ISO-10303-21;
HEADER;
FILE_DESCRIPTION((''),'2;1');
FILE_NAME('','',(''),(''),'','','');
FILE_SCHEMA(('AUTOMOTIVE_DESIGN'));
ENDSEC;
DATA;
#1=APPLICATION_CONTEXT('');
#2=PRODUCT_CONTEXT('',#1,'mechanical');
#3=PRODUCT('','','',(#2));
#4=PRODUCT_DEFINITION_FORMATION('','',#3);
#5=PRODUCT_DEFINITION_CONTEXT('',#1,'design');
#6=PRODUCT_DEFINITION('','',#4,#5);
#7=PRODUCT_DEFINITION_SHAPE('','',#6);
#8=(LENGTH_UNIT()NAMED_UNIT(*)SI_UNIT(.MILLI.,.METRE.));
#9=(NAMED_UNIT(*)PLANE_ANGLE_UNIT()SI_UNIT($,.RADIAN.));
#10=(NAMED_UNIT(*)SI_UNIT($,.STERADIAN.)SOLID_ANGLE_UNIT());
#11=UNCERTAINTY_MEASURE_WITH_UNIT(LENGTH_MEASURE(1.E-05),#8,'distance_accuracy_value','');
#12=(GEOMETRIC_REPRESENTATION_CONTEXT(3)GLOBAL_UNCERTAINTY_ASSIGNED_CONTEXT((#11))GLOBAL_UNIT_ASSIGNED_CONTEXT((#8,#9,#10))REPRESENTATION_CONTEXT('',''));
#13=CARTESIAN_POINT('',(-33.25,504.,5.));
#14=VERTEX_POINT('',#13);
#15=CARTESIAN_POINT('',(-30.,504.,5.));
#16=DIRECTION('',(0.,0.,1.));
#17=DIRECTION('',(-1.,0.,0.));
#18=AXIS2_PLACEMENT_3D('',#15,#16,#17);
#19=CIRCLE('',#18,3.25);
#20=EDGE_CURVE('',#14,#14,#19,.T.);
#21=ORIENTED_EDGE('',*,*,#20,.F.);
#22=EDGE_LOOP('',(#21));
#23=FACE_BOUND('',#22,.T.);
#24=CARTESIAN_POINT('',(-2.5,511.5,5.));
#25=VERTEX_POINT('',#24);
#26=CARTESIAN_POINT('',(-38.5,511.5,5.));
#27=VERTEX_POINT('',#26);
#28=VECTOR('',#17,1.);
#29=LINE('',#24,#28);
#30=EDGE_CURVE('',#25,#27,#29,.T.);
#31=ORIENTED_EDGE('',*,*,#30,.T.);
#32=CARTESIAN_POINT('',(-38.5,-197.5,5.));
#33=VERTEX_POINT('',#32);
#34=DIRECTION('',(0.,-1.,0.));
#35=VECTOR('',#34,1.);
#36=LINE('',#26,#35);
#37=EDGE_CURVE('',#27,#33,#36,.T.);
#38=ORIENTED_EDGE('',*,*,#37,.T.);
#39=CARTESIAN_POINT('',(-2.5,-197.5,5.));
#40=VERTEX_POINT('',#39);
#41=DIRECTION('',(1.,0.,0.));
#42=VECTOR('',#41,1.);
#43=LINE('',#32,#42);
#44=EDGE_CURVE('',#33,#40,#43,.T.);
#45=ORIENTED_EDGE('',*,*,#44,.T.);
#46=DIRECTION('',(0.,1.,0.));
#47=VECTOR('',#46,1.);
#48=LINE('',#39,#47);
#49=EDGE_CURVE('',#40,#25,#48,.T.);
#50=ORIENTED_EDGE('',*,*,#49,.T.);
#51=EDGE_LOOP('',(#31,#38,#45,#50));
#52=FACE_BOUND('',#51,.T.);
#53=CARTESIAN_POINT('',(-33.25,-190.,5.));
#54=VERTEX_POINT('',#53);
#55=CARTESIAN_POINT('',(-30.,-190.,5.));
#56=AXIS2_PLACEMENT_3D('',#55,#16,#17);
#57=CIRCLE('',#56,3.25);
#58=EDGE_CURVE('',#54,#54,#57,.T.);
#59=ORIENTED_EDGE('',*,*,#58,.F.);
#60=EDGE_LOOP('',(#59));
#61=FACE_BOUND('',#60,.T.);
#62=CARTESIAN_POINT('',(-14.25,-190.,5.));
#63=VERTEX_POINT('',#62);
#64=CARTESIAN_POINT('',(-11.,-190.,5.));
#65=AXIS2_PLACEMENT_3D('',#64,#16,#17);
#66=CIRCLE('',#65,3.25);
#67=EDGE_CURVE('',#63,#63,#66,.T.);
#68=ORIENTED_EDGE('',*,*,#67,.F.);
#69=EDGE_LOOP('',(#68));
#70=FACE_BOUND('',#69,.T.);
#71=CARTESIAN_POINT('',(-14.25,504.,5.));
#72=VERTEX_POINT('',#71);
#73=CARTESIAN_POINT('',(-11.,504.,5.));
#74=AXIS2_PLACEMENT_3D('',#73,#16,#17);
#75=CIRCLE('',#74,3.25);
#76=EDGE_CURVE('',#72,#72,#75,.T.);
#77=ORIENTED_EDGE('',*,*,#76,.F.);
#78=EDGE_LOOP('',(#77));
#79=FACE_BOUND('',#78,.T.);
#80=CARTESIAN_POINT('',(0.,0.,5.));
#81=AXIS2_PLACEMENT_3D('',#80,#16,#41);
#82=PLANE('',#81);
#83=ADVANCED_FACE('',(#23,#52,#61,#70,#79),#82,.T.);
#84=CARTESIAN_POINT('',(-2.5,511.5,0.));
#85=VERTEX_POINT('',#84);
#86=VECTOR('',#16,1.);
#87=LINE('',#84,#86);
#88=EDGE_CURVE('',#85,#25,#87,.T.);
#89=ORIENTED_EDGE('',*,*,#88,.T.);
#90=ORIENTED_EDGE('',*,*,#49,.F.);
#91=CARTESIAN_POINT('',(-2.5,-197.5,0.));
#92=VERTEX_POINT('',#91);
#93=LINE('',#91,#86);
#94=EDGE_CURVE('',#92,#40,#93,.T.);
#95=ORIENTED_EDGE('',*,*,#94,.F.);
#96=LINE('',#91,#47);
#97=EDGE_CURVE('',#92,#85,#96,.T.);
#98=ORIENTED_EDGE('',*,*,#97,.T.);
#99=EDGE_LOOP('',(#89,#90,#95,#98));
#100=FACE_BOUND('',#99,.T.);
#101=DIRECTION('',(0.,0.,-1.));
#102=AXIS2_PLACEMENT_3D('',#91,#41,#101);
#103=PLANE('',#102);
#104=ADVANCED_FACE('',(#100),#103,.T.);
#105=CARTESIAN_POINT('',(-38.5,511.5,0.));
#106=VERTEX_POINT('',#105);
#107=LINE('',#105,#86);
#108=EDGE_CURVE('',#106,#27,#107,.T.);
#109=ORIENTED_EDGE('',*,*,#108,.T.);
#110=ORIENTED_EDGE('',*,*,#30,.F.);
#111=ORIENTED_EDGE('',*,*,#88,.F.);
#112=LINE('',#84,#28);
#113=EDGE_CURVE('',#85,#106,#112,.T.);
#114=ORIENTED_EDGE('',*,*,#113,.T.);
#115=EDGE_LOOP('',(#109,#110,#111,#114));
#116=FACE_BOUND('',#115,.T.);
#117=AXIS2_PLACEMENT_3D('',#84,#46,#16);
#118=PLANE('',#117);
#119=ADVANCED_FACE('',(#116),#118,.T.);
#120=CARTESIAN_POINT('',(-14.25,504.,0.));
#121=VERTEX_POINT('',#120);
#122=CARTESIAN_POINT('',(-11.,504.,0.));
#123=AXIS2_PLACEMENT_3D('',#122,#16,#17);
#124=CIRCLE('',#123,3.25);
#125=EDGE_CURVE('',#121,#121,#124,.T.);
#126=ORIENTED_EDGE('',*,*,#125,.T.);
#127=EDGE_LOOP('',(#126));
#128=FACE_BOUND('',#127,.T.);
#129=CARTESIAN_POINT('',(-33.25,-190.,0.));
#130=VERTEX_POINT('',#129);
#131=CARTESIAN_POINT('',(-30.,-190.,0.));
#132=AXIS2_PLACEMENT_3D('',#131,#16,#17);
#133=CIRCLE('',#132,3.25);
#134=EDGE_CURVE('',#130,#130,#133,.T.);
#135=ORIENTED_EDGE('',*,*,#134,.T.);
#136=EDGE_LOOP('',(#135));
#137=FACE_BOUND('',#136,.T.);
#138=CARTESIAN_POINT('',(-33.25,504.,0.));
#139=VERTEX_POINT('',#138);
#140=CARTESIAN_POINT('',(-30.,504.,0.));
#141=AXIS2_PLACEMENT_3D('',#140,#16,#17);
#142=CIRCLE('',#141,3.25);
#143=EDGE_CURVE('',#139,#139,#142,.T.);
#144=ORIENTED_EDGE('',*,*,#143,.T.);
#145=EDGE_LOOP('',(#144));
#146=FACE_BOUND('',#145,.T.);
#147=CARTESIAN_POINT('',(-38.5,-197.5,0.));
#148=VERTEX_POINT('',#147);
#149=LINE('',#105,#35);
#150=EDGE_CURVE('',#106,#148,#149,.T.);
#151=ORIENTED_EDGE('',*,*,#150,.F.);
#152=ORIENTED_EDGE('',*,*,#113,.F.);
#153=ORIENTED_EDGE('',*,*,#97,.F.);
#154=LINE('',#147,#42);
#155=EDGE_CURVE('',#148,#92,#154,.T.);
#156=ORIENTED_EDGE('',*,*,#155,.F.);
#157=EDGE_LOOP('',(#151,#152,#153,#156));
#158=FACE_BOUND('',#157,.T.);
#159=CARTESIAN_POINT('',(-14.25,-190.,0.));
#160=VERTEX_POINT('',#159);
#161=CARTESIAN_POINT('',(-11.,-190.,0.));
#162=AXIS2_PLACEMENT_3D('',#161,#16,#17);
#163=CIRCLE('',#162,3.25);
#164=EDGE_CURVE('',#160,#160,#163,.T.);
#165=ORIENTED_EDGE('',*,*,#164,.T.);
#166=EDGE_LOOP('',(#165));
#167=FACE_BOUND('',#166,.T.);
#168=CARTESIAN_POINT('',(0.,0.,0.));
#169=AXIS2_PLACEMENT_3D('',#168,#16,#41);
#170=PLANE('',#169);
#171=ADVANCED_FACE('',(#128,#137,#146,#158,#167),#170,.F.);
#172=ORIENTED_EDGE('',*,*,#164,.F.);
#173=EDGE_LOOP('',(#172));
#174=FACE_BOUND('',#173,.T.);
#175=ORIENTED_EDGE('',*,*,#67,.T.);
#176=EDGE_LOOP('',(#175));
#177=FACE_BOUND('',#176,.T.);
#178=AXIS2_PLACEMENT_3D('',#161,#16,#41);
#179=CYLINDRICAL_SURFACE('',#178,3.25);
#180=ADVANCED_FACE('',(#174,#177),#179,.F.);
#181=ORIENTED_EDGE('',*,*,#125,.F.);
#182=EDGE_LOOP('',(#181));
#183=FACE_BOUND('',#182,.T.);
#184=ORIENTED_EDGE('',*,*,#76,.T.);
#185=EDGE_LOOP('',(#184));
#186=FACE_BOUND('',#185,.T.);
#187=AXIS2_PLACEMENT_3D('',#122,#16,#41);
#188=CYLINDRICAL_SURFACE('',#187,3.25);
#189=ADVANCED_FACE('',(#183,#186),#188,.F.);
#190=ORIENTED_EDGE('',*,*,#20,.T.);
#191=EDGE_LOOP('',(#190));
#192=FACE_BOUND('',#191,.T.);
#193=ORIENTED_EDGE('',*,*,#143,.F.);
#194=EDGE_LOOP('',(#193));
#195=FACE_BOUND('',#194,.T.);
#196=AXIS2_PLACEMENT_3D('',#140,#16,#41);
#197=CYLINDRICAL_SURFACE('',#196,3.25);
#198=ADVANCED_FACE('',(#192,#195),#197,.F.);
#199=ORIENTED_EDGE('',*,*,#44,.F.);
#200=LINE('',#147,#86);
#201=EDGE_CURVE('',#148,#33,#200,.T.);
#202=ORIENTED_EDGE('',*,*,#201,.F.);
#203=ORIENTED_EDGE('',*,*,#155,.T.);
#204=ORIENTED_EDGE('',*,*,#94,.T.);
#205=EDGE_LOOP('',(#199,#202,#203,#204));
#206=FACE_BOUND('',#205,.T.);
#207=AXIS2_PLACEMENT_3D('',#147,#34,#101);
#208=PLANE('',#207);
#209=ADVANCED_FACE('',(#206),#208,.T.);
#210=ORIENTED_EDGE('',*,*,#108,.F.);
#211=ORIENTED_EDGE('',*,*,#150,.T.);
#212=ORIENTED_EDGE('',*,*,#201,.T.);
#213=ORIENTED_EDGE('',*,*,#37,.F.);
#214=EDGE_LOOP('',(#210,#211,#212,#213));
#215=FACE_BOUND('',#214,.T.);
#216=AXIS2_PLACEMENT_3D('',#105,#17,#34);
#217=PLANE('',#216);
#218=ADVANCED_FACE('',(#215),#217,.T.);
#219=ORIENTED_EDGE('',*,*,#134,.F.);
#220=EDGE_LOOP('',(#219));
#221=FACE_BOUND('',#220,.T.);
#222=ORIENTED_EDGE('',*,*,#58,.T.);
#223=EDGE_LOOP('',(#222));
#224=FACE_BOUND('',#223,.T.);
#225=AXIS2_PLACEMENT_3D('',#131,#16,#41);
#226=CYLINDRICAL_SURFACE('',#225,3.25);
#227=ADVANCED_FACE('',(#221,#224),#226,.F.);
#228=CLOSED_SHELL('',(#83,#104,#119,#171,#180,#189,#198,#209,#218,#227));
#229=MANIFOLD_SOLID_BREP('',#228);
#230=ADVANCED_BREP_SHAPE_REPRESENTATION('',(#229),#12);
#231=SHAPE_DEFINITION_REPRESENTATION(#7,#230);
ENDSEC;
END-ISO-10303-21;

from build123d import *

# Parameters (mm, degrees)
SCHIZZO1_W                   = 36
SCHIZZO1_H                   = 709
SCHIZZO1_R                   = 3.25
ESTRUSIONE_ESTRUSIONE1_DEPTH = 5


with BuildPart() as part:
    # Schizzo1 → Estrusione-Estrusione1 (new body)
    with BuildSketch(Plane.XY.offset(5)):
        with Locations((-20.5, 157)):
            Rectangle(SCHIZZO1_W, SCHIZZO1_H)
        with Locations(Location((-30, -190, 0), (0, 0, 180))):
            Circle(SCHIZZO1_R, mode=Mode.SUBTRACT)
        with Locations(Location((-30, 504, 0), (0, 0, 180))):
            Circle(SCHIZZO1_R, mode=Mode.SUBTRACT)
        with Locations(Location((-11, 504, 0), (0, 0, 180))):
            Circle(SCHIZZO1_R, mode=Mode.SUBTRACT)
        with Locations(Location((-11, -190, 0), (0, 0, 180))):
            Circle(SCHIZZO1_R, mode=Mode.SUBTRACT)
    extrude(amount=-ESTRUSIONE_ESTRUSIONE1_DEPTH)


solid = part.part
